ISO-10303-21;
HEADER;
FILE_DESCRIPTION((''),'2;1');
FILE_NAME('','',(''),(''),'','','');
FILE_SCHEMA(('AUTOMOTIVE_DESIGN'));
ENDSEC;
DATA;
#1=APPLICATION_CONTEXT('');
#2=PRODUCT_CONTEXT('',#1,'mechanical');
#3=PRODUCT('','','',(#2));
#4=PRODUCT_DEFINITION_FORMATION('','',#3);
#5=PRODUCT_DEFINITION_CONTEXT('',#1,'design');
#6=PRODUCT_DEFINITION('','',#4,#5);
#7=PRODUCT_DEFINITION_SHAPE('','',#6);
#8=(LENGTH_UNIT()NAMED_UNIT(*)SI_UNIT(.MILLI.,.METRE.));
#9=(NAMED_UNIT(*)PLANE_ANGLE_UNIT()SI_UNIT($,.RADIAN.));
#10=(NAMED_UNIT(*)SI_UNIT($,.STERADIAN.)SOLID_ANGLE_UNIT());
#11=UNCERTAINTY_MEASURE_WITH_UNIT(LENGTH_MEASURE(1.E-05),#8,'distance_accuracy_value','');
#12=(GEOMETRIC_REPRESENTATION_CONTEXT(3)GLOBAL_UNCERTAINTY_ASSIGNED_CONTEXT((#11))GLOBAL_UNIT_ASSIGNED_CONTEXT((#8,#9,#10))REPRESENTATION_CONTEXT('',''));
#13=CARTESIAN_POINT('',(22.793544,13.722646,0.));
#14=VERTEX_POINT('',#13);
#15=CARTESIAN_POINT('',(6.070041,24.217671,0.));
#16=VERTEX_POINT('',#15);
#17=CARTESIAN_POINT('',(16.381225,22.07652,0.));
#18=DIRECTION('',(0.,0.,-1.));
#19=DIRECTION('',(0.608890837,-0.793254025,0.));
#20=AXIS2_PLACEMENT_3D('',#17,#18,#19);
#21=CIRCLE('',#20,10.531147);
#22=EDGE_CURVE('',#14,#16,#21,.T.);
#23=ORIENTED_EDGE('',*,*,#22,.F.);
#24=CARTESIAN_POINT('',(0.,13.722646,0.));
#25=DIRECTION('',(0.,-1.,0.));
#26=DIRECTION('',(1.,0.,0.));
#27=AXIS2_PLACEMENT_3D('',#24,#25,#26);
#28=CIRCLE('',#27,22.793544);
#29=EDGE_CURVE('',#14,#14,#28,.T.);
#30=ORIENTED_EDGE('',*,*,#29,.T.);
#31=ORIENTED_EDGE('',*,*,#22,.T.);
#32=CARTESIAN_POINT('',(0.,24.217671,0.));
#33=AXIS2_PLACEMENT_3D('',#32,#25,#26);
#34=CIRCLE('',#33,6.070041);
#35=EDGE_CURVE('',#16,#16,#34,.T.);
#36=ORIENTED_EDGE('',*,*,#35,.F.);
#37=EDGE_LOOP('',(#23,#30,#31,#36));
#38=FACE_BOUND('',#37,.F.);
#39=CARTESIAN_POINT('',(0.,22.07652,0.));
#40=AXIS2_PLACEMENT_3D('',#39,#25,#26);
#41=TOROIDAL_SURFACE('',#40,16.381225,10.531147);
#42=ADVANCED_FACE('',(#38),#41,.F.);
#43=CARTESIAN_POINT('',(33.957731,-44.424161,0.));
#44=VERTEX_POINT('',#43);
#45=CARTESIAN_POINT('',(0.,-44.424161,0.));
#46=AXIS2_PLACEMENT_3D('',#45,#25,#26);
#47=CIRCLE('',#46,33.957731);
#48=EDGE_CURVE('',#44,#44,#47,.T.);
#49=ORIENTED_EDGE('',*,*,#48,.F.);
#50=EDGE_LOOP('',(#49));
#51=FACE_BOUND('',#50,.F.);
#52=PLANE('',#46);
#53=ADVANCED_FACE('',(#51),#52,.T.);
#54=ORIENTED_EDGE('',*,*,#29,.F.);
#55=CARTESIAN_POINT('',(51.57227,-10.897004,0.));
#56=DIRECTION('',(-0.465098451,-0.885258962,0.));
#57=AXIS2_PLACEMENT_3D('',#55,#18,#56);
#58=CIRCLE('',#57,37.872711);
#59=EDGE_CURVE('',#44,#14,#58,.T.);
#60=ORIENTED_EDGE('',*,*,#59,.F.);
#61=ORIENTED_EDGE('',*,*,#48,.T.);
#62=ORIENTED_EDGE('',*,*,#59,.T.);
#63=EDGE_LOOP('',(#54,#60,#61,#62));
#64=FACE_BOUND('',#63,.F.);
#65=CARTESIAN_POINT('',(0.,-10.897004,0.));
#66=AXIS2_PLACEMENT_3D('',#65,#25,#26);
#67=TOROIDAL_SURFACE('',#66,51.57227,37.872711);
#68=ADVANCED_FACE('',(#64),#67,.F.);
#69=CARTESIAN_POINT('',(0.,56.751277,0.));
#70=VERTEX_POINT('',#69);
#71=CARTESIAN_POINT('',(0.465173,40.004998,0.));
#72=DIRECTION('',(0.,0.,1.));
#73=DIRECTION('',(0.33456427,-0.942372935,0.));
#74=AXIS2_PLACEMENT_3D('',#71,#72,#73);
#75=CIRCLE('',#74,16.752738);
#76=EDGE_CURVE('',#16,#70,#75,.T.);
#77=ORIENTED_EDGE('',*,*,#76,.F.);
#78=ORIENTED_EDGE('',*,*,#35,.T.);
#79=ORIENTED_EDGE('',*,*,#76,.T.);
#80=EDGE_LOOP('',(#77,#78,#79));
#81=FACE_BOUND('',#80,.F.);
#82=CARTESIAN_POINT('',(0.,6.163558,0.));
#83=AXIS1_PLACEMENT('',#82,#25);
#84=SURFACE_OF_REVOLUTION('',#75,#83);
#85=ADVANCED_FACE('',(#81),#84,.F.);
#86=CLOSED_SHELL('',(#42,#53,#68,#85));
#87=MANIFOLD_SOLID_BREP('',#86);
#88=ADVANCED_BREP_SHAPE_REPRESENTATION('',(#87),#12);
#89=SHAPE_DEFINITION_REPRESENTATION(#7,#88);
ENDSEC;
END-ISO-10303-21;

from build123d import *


with BuildPart() as f1:
    # F0 (on Top) → F1 (revolve)
    with BuildSketch(Plane.XY):
        with BuildLine():
            ThreePointArc((6.070041, 24.217671), (16.933719, 43.077659), (0, 56.751277))
            Line((0, 56.751277), (0, 23.25872))
            ThreePointArc((0, 23.25872), (3.079367, 23.457484), (6.070041, 24.217671))
        make_face()
        with BuildLine():
            ThreePointArc((6.070041, 24.217671), (3.079367, 23.457484), (0, 23.25872))
            Line((0, 23.25872), (0, -44.424161))
            Line((0, -44.424161), (33.957731, -44.424161))
            ThreePointArc((33.957731, -44.424161), (14.378903, -18.03813), (22.793544, 13.722646))
            ThreePointArc((22.793544, 13.722646), (10.783308, 13.15641), (6.070041, 24.217671))
        make_face()
    revolve(axis=Axis((0, 6.163558, 0), (0, -1, 0)))


solid = f1.part
